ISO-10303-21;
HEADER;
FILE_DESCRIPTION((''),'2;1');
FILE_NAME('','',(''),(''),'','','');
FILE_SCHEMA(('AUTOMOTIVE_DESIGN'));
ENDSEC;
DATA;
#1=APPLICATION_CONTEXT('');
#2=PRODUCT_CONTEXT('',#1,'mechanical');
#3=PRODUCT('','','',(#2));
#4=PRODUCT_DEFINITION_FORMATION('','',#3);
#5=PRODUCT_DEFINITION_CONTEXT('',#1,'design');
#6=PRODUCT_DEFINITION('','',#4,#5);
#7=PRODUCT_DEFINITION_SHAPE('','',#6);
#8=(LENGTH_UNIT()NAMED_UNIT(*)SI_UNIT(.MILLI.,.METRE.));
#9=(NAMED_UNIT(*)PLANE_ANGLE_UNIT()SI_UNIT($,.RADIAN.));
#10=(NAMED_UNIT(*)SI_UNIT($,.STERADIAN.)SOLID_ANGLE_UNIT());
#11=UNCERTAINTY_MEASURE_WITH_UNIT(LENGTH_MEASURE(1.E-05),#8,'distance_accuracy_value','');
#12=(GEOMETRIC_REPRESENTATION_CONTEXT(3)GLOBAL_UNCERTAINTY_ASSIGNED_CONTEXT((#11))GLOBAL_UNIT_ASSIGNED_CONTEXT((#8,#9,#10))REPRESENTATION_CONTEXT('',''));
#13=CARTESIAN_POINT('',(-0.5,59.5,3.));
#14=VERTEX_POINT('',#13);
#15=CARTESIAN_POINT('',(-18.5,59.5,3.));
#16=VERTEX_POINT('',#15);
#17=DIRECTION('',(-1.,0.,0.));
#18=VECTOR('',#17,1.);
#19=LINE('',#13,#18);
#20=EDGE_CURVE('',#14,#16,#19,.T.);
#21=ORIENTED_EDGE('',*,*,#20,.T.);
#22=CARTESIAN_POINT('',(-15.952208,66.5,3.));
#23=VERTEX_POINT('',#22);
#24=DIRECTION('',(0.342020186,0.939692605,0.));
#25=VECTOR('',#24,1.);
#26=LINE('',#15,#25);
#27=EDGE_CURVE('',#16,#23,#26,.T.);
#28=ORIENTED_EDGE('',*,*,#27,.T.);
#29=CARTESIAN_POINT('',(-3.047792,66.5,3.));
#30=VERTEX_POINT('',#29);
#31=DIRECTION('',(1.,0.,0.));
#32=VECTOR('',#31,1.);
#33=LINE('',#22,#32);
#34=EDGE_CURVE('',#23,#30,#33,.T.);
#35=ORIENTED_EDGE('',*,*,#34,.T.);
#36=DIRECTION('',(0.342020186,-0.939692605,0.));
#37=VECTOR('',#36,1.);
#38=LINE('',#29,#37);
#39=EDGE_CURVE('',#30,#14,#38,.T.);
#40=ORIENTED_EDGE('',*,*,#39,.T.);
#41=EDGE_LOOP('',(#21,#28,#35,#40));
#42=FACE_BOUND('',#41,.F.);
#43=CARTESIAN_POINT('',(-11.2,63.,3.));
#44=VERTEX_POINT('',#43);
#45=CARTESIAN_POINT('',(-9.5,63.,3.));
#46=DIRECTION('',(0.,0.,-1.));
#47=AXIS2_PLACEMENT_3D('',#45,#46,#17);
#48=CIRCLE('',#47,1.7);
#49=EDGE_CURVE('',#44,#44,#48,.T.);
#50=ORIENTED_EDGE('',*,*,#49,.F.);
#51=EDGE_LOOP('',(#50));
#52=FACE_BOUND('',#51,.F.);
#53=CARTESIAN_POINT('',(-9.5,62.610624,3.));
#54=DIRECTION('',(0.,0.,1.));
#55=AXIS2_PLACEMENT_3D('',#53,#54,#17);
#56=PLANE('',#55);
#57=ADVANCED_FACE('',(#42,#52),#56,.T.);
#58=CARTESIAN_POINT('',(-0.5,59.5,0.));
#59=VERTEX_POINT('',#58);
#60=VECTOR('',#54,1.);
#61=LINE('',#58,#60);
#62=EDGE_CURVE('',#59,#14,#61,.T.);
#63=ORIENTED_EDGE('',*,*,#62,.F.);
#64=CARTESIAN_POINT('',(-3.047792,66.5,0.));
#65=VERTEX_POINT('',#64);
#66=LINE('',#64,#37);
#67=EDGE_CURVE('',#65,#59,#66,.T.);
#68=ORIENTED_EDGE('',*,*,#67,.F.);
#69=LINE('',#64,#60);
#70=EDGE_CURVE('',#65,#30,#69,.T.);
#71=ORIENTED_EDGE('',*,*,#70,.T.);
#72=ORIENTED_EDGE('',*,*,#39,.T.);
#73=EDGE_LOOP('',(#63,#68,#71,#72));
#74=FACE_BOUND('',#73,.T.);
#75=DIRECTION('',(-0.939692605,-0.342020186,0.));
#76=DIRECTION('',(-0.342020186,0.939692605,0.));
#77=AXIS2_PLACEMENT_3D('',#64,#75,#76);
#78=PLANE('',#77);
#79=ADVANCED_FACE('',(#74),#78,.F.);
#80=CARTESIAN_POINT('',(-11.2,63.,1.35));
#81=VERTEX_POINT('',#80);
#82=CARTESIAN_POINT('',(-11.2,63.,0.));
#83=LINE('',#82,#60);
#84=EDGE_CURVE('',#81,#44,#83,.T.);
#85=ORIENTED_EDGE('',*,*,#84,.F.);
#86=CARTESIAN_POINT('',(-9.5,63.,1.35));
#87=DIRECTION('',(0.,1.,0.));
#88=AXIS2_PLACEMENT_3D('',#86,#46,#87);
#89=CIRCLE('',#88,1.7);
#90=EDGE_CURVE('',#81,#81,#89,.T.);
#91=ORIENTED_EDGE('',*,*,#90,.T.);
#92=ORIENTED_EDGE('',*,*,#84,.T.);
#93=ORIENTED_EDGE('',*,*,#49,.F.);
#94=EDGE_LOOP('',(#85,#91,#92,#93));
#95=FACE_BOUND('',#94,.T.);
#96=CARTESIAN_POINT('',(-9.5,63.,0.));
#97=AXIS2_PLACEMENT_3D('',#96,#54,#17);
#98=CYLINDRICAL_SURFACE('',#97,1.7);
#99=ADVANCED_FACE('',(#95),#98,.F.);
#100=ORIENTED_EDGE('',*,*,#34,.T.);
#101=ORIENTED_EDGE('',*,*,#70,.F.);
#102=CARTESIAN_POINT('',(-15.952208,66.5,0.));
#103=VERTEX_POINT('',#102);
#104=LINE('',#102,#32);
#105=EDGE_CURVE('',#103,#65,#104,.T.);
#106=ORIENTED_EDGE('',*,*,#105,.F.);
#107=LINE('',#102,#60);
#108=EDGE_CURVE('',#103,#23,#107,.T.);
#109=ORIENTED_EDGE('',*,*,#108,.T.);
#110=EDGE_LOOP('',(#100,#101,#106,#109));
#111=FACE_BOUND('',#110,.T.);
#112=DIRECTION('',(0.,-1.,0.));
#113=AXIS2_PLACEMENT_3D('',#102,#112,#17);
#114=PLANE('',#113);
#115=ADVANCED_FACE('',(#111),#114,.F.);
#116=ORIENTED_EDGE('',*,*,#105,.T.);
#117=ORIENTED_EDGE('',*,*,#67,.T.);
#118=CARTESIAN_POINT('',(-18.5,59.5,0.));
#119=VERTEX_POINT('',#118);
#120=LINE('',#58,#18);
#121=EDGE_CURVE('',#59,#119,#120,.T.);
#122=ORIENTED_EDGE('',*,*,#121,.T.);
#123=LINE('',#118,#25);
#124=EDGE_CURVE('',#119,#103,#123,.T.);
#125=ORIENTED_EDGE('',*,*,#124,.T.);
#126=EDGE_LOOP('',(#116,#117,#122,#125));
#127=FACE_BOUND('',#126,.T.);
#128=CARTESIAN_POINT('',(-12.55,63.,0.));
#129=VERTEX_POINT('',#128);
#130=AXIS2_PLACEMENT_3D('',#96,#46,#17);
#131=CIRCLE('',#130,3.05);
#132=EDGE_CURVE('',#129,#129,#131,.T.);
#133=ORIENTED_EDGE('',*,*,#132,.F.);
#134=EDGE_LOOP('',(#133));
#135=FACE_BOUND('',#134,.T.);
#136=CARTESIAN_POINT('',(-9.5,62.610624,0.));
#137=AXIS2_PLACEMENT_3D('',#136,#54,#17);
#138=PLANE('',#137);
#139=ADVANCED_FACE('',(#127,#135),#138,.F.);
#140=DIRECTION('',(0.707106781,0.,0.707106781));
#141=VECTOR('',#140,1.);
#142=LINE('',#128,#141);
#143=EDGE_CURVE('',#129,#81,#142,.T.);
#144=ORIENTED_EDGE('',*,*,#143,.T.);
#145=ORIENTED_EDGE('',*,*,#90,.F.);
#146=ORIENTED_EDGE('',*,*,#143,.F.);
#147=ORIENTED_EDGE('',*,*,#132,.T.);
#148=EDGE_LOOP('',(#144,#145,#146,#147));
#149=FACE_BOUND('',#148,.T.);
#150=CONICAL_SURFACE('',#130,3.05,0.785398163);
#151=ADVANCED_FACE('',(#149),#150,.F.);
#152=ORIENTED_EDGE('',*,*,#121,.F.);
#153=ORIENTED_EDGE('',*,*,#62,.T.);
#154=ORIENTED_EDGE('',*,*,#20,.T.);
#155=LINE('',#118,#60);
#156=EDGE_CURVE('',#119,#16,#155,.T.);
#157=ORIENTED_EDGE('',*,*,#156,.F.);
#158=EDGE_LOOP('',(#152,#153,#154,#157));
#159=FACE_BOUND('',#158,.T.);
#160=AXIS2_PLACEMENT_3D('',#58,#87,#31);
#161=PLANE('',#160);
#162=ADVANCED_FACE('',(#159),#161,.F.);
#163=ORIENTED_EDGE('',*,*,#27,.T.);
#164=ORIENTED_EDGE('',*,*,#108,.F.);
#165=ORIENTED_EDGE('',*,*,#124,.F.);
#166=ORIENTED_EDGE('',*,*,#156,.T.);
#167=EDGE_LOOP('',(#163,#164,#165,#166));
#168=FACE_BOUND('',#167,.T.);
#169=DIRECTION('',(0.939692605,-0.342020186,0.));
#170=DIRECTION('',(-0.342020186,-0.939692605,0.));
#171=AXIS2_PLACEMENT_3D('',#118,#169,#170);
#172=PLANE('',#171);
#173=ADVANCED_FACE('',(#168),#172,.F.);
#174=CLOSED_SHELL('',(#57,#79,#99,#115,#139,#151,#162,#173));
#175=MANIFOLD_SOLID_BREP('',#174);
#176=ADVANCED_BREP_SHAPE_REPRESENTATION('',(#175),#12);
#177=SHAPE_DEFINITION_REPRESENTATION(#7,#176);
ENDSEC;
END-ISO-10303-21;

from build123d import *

# Parameters (mm, degrees)
PAD013_DEPTH        = 3
HOLE012_D           = 3.4
HOLE012_DEPTH       = 25
HOLE012_CSINK_D     = 6.1
HOLE012_CSINK_ANGLE = 90


with BuildPart() as body020:
    # Sketch042 (on Face1 of Binder029) → Pad013 (new body)
    with BuildSketch(Plane.XY):
        Polygon((-18.5, -59.5), (-15.952208, -66.5), (-3.047792, -66.5), (-0.5, -59.5), align=None)
    extrude(amount=PAD013_DEPTH)

    # Hole012
    with Locations(Plane(origin=(0, 0, 0), x_dir=(1, 0, 0), z_dir=(0, 0, -1))):
        with Locations((-9.5, 63)):
            CounterSinkHole(HOLE012_D / 2, HOLE012_CSINK_D / 2, depth=HOLE012_DEPTH, counter_sink_angle=HOLE012_CSINK_ANGLE)


with BuildPart() as part_mirroring:
    # Part__Mirroring: instance of Body020
    add(body020.part.mirror(Plane(origin=(0, 0, 0), x_dir=(1, 0, 0), z_dir=(0, 1, 0))))


solid = part_mirroring.part
